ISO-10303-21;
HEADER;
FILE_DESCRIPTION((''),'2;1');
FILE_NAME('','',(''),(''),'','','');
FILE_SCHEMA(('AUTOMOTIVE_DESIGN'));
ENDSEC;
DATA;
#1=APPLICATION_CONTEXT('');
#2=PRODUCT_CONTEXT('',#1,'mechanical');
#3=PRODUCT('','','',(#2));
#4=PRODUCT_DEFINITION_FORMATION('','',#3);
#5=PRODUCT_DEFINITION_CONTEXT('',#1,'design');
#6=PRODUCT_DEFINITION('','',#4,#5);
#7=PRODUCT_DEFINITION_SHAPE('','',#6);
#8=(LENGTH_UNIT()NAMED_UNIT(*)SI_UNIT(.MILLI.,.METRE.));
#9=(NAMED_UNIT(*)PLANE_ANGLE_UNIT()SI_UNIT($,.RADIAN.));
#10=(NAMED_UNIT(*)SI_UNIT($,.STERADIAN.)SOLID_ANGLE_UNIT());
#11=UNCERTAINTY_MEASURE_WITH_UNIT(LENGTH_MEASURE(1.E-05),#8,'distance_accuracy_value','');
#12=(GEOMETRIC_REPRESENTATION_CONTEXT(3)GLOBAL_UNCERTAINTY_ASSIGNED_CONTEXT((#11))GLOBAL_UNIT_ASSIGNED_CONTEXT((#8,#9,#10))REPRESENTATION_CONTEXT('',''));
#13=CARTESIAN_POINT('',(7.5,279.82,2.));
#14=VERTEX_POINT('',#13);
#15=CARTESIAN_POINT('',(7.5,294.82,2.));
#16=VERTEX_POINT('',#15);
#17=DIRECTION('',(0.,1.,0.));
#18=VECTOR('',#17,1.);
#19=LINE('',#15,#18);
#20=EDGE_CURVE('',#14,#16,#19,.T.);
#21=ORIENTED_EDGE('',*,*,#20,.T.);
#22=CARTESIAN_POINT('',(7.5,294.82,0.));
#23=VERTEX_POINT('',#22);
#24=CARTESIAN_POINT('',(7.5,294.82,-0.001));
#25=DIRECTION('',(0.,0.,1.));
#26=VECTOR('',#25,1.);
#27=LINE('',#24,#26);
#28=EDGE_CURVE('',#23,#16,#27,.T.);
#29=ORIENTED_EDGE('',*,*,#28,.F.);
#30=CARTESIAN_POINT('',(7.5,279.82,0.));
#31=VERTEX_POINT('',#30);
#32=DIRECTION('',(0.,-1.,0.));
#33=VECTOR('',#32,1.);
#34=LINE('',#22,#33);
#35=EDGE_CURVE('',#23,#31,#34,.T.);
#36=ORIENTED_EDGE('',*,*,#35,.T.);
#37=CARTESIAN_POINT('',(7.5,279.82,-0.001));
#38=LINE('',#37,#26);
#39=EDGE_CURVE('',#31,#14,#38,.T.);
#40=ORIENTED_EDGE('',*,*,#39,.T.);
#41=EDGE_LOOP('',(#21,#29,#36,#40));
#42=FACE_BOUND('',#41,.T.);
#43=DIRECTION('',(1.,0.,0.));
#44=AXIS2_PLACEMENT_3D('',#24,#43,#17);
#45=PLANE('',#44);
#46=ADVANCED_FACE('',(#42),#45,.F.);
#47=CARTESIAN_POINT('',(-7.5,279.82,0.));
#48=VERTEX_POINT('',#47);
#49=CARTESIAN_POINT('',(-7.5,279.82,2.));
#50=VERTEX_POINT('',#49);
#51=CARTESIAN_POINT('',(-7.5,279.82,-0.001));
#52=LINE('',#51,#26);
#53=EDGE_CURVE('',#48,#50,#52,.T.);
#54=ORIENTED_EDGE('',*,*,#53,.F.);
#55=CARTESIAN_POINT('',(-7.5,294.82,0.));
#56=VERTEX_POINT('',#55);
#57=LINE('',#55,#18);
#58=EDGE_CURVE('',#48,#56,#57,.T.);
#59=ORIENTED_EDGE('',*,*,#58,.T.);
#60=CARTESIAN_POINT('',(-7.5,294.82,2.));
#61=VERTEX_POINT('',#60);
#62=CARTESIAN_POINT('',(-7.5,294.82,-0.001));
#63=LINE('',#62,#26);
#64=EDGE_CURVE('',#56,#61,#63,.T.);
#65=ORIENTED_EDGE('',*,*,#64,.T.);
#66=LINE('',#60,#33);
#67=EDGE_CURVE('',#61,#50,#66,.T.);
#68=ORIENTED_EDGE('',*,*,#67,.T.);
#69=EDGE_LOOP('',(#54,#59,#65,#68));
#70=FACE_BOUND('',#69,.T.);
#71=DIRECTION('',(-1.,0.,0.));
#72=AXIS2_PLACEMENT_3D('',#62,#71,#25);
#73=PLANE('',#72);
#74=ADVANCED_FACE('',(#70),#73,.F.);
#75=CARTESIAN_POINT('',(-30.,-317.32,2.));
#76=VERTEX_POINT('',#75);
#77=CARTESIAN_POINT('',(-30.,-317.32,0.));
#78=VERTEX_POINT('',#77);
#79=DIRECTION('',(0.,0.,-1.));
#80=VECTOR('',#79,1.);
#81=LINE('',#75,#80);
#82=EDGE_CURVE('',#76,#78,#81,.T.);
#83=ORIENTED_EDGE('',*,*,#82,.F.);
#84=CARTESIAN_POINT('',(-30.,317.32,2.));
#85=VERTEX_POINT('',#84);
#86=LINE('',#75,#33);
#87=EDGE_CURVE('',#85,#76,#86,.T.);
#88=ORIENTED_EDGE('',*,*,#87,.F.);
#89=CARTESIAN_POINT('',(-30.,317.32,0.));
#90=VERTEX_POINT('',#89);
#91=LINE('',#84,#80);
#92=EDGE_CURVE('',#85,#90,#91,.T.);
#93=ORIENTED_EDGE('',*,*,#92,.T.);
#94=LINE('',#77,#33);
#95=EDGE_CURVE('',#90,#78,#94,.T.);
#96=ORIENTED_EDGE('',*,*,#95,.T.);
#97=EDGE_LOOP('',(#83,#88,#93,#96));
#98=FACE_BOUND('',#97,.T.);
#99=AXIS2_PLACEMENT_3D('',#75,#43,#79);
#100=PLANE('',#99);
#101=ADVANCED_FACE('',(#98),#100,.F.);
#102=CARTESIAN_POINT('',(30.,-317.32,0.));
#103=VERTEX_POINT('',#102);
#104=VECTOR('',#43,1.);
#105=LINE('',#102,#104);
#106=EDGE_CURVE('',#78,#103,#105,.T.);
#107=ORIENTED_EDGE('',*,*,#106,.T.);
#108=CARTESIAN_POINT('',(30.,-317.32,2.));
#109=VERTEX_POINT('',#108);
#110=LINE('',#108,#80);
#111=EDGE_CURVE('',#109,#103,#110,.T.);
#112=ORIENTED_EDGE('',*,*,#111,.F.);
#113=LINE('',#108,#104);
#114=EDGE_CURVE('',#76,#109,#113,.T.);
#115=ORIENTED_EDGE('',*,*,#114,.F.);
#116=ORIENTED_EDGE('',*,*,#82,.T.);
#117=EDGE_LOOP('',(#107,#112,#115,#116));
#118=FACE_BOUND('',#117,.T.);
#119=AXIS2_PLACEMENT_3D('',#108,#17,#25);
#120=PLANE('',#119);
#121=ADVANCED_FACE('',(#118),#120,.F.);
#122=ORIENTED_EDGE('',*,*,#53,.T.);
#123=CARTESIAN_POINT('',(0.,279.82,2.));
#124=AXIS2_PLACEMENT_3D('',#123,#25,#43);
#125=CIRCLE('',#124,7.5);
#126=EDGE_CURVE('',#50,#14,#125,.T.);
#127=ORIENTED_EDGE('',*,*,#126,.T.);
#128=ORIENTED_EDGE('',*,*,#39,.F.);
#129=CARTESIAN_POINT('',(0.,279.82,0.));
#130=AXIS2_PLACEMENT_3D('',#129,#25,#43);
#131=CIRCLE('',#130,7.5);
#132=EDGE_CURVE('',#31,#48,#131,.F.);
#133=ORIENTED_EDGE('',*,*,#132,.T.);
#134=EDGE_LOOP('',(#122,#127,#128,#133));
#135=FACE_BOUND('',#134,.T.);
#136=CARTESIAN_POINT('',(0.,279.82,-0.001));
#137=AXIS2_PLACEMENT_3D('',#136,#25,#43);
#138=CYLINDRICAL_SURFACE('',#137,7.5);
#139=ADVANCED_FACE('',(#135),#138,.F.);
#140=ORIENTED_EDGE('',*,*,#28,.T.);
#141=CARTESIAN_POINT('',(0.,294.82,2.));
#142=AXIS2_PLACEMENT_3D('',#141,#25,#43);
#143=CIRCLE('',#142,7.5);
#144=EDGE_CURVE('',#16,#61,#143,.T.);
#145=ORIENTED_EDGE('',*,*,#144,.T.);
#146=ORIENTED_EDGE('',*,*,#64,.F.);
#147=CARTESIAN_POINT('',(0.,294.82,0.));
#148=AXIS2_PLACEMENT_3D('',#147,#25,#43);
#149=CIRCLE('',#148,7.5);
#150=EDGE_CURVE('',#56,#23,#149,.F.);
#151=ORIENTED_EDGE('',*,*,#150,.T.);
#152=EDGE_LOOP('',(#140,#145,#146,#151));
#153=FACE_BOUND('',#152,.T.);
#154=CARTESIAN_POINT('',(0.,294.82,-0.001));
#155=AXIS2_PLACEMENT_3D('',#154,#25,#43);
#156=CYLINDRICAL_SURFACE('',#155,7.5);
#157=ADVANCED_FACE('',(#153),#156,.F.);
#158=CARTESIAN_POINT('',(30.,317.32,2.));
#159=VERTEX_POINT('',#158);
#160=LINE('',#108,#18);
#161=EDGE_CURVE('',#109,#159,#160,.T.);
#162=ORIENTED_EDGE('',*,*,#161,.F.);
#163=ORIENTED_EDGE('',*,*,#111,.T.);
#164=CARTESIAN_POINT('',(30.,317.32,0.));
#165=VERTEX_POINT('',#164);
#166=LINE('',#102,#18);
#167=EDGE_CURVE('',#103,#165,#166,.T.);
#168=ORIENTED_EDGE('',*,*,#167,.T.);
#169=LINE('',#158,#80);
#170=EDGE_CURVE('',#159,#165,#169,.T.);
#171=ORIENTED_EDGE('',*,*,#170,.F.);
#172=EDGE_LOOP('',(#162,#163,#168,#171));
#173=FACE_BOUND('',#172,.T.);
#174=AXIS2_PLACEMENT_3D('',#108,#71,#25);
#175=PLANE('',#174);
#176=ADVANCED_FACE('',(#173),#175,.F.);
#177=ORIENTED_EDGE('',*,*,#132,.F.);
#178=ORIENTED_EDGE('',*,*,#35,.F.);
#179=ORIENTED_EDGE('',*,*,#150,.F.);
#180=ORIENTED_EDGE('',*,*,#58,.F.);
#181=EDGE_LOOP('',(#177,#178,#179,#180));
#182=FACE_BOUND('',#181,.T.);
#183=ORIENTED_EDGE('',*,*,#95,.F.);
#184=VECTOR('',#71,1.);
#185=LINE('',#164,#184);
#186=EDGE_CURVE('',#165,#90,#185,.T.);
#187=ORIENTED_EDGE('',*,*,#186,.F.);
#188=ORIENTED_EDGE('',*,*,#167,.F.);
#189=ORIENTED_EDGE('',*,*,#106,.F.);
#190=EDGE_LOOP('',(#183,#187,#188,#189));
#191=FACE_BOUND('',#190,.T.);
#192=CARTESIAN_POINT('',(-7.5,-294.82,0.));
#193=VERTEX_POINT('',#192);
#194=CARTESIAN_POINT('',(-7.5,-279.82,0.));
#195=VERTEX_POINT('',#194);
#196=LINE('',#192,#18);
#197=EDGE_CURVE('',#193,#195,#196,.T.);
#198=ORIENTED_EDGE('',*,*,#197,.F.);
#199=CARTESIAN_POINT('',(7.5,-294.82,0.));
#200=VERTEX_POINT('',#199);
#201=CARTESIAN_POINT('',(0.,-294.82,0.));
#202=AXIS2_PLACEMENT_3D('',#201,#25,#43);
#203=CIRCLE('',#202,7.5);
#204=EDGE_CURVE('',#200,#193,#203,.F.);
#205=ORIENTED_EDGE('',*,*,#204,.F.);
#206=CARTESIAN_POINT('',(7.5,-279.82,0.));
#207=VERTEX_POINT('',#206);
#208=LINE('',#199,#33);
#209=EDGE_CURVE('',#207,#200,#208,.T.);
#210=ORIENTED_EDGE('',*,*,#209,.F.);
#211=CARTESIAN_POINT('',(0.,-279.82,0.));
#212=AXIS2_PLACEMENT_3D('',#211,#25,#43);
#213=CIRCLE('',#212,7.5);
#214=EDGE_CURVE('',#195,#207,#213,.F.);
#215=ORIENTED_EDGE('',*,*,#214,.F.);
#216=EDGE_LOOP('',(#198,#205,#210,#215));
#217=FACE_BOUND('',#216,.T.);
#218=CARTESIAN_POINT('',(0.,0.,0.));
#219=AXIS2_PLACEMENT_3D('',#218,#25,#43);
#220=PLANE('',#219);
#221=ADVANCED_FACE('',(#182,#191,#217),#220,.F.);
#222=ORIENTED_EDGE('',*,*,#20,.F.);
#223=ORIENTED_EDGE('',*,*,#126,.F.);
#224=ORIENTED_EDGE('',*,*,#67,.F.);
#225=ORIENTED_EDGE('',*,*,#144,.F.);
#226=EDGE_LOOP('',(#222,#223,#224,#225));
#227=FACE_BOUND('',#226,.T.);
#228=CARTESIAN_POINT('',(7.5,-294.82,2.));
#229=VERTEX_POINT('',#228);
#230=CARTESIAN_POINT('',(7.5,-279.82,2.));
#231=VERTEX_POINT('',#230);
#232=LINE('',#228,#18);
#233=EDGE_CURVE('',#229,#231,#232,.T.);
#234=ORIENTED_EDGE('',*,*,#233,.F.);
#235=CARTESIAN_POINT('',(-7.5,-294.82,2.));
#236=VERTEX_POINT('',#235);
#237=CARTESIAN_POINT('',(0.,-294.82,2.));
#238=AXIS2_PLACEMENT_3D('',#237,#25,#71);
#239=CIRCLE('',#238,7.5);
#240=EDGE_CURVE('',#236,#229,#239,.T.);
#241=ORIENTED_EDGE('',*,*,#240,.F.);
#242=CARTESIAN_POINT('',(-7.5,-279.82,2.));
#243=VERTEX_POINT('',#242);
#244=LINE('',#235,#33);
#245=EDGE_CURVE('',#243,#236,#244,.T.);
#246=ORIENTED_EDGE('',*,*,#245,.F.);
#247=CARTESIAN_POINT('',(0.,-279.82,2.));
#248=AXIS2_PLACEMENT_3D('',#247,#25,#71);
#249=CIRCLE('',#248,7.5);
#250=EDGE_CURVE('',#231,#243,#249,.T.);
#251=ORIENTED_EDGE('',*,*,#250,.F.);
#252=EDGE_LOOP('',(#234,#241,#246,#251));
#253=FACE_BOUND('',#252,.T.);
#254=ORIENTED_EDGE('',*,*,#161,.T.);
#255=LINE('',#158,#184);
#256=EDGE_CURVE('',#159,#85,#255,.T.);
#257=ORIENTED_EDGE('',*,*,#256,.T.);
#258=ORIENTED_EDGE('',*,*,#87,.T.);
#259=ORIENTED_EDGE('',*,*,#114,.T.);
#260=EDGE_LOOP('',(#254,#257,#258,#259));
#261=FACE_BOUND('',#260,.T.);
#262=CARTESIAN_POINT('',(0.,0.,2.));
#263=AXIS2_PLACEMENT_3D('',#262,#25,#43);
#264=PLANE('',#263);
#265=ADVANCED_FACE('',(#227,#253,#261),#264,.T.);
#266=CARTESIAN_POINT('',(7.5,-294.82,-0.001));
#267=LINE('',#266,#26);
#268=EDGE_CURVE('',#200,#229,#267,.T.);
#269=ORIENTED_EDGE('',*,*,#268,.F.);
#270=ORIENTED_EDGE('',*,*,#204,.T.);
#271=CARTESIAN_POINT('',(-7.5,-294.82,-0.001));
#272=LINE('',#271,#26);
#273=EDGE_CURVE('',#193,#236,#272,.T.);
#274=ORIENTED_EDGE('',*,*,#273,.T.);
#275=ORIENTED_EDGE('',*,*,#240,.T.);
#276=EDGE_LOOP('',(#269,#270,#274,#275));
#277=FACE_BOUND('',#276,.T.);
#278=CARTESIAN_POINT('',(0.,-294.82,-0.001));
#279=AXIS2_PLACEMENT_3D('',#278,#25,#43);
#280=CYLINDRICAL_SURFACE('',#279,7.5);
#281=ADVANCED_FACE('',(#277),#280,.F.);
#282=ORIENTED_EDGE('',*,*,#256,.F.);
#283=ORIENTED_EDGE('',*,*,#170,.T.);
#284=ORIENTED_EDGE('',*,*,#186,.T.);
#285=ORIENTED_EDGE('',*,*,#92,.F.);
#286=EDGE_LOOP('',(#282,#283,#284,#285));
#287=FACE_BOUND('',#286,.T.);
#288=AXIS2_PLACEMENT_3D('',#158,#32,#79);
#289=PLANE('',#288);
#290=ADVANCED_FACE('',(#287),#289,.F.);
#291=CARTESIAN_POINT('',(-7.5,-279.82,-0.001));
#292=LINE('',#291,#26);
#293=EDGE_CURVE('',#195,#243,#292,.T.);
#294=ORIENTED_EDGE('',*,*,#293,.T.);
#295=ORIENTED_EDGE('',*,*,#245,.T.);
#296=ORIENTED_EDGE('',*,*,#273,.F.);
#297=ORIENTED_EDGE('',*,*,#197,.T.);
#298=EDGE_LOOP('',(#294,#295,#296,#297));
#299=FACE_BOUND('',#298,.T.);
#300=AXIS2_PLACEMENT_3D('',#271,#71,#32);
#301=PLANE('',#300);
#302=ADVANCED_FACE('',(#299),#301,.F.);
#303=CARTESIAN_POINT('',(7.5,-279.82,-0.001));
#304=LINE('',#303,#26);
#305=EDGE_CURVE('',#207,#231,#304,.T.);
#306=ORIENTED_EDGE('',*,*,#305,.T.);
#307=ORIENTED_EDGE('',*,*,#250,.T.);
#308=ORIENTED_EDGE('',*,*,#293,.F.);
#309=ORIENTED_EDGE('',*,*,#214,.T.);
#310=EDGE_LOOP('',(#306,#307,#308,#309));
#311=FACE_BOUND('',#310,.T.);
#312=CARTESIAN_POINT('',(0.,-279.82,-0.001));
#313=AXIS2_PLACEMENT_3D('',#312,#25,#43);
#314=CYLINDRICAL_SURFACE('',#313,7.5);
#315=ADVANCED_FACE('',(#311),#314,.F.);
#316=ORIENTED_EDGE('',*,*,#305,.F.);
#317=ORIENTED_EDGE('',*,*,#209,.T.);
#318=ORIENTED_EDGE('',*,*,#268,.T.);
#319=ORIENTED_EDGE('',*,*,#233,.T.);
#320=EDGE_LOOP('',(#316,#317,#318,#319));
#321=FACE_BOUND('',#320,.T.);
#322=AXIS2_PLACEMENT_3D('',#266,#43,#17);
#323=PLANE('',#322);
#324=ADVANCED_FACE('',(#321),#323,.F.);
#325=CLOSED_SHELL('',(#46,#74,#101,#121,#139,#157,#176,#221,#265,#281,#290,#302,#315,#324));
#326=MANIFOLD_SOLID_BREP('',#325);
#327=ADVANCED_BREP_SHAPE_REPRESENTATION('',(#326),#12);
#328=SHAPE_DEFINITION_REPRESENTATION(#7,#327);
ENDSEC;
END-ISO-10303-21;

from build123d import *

# Parameters (mm, degrees)
SKETCH1_W           = 60
SKETCH1_H           = 634.64
BOSS_EXTRUDE1_DEPTH = 2
CUT_EXTRUDE1_REACH  = 320.741


with BuildPart() as part:
    # Sketch1 → Boss-Extrude1 (new body)
    with BuildSketch(Plane.XY):
        Rectangle(SKETCH1_W, SKETCH1_H)
    extrude(amount=BOSS_EXTRUDE1_DEPTH)

    # Sketch2 → Cut-Extrude1 (cut, up to next)
    with BuildSketch(Plane.XY.offset(2), mode=Mode.PRIVATE) as cut_extrude1_sk1:
        with BuildLine():
            Line((7.5, 294.82), (7.5, 279.82))
            ThreePointArc((7.5, 279.82), (0, 272.32), (-7.5, 279.82))
            Line((-7.5, 279.82), (-7.5, 294.82))
            ThreePointArc((-7.5, 294.82), (0, 302.32), (7.5, 294.82))
        make_face()
    cut_extrude1_tool1 = extrude(cut_extrude1_sk1.sketch, amount=-CUT_EXTRUDE1_REACH, mode=Mode.PRIVATE) & part.part
    # Sketch2 → Cut-Extrude1 (cut, up to next)
    with BuildSketch(Plane.XY.offset(2), mode=Mode.PRIVATE) as cut_extrude1_sk2:
        with BuildLine():
            Line((7.5, -294.82), (7.5, -279.82))
            ThreePointArc((7.5, -279.82), (0, -272.32), (-7.5, -279.82))
            Line((-7.5, -279.82), (-7.5, -294.82))
            ThreePointArc((-7.5, -294.82), (0, -302.32), (7.5, -294.82))
        make_face()
    cut_extrude1_tool2 = extrude(cut_extrude1_sk2.sketch, amount=-CUT_EXTRUDE1_REACH, mode=Mode.PRIVATE) & part.part
    add(cut_extrude1_tool1.solids().sort_by_distance((0, 287.32, 2))[0], mode=Mode.SUBTRACT)
    add(cut_extrude1_tool2.solids().sort_by_distance((0, -287.32, 2))[0], mode=Mode.SUBTRACT)


solid = part.part
